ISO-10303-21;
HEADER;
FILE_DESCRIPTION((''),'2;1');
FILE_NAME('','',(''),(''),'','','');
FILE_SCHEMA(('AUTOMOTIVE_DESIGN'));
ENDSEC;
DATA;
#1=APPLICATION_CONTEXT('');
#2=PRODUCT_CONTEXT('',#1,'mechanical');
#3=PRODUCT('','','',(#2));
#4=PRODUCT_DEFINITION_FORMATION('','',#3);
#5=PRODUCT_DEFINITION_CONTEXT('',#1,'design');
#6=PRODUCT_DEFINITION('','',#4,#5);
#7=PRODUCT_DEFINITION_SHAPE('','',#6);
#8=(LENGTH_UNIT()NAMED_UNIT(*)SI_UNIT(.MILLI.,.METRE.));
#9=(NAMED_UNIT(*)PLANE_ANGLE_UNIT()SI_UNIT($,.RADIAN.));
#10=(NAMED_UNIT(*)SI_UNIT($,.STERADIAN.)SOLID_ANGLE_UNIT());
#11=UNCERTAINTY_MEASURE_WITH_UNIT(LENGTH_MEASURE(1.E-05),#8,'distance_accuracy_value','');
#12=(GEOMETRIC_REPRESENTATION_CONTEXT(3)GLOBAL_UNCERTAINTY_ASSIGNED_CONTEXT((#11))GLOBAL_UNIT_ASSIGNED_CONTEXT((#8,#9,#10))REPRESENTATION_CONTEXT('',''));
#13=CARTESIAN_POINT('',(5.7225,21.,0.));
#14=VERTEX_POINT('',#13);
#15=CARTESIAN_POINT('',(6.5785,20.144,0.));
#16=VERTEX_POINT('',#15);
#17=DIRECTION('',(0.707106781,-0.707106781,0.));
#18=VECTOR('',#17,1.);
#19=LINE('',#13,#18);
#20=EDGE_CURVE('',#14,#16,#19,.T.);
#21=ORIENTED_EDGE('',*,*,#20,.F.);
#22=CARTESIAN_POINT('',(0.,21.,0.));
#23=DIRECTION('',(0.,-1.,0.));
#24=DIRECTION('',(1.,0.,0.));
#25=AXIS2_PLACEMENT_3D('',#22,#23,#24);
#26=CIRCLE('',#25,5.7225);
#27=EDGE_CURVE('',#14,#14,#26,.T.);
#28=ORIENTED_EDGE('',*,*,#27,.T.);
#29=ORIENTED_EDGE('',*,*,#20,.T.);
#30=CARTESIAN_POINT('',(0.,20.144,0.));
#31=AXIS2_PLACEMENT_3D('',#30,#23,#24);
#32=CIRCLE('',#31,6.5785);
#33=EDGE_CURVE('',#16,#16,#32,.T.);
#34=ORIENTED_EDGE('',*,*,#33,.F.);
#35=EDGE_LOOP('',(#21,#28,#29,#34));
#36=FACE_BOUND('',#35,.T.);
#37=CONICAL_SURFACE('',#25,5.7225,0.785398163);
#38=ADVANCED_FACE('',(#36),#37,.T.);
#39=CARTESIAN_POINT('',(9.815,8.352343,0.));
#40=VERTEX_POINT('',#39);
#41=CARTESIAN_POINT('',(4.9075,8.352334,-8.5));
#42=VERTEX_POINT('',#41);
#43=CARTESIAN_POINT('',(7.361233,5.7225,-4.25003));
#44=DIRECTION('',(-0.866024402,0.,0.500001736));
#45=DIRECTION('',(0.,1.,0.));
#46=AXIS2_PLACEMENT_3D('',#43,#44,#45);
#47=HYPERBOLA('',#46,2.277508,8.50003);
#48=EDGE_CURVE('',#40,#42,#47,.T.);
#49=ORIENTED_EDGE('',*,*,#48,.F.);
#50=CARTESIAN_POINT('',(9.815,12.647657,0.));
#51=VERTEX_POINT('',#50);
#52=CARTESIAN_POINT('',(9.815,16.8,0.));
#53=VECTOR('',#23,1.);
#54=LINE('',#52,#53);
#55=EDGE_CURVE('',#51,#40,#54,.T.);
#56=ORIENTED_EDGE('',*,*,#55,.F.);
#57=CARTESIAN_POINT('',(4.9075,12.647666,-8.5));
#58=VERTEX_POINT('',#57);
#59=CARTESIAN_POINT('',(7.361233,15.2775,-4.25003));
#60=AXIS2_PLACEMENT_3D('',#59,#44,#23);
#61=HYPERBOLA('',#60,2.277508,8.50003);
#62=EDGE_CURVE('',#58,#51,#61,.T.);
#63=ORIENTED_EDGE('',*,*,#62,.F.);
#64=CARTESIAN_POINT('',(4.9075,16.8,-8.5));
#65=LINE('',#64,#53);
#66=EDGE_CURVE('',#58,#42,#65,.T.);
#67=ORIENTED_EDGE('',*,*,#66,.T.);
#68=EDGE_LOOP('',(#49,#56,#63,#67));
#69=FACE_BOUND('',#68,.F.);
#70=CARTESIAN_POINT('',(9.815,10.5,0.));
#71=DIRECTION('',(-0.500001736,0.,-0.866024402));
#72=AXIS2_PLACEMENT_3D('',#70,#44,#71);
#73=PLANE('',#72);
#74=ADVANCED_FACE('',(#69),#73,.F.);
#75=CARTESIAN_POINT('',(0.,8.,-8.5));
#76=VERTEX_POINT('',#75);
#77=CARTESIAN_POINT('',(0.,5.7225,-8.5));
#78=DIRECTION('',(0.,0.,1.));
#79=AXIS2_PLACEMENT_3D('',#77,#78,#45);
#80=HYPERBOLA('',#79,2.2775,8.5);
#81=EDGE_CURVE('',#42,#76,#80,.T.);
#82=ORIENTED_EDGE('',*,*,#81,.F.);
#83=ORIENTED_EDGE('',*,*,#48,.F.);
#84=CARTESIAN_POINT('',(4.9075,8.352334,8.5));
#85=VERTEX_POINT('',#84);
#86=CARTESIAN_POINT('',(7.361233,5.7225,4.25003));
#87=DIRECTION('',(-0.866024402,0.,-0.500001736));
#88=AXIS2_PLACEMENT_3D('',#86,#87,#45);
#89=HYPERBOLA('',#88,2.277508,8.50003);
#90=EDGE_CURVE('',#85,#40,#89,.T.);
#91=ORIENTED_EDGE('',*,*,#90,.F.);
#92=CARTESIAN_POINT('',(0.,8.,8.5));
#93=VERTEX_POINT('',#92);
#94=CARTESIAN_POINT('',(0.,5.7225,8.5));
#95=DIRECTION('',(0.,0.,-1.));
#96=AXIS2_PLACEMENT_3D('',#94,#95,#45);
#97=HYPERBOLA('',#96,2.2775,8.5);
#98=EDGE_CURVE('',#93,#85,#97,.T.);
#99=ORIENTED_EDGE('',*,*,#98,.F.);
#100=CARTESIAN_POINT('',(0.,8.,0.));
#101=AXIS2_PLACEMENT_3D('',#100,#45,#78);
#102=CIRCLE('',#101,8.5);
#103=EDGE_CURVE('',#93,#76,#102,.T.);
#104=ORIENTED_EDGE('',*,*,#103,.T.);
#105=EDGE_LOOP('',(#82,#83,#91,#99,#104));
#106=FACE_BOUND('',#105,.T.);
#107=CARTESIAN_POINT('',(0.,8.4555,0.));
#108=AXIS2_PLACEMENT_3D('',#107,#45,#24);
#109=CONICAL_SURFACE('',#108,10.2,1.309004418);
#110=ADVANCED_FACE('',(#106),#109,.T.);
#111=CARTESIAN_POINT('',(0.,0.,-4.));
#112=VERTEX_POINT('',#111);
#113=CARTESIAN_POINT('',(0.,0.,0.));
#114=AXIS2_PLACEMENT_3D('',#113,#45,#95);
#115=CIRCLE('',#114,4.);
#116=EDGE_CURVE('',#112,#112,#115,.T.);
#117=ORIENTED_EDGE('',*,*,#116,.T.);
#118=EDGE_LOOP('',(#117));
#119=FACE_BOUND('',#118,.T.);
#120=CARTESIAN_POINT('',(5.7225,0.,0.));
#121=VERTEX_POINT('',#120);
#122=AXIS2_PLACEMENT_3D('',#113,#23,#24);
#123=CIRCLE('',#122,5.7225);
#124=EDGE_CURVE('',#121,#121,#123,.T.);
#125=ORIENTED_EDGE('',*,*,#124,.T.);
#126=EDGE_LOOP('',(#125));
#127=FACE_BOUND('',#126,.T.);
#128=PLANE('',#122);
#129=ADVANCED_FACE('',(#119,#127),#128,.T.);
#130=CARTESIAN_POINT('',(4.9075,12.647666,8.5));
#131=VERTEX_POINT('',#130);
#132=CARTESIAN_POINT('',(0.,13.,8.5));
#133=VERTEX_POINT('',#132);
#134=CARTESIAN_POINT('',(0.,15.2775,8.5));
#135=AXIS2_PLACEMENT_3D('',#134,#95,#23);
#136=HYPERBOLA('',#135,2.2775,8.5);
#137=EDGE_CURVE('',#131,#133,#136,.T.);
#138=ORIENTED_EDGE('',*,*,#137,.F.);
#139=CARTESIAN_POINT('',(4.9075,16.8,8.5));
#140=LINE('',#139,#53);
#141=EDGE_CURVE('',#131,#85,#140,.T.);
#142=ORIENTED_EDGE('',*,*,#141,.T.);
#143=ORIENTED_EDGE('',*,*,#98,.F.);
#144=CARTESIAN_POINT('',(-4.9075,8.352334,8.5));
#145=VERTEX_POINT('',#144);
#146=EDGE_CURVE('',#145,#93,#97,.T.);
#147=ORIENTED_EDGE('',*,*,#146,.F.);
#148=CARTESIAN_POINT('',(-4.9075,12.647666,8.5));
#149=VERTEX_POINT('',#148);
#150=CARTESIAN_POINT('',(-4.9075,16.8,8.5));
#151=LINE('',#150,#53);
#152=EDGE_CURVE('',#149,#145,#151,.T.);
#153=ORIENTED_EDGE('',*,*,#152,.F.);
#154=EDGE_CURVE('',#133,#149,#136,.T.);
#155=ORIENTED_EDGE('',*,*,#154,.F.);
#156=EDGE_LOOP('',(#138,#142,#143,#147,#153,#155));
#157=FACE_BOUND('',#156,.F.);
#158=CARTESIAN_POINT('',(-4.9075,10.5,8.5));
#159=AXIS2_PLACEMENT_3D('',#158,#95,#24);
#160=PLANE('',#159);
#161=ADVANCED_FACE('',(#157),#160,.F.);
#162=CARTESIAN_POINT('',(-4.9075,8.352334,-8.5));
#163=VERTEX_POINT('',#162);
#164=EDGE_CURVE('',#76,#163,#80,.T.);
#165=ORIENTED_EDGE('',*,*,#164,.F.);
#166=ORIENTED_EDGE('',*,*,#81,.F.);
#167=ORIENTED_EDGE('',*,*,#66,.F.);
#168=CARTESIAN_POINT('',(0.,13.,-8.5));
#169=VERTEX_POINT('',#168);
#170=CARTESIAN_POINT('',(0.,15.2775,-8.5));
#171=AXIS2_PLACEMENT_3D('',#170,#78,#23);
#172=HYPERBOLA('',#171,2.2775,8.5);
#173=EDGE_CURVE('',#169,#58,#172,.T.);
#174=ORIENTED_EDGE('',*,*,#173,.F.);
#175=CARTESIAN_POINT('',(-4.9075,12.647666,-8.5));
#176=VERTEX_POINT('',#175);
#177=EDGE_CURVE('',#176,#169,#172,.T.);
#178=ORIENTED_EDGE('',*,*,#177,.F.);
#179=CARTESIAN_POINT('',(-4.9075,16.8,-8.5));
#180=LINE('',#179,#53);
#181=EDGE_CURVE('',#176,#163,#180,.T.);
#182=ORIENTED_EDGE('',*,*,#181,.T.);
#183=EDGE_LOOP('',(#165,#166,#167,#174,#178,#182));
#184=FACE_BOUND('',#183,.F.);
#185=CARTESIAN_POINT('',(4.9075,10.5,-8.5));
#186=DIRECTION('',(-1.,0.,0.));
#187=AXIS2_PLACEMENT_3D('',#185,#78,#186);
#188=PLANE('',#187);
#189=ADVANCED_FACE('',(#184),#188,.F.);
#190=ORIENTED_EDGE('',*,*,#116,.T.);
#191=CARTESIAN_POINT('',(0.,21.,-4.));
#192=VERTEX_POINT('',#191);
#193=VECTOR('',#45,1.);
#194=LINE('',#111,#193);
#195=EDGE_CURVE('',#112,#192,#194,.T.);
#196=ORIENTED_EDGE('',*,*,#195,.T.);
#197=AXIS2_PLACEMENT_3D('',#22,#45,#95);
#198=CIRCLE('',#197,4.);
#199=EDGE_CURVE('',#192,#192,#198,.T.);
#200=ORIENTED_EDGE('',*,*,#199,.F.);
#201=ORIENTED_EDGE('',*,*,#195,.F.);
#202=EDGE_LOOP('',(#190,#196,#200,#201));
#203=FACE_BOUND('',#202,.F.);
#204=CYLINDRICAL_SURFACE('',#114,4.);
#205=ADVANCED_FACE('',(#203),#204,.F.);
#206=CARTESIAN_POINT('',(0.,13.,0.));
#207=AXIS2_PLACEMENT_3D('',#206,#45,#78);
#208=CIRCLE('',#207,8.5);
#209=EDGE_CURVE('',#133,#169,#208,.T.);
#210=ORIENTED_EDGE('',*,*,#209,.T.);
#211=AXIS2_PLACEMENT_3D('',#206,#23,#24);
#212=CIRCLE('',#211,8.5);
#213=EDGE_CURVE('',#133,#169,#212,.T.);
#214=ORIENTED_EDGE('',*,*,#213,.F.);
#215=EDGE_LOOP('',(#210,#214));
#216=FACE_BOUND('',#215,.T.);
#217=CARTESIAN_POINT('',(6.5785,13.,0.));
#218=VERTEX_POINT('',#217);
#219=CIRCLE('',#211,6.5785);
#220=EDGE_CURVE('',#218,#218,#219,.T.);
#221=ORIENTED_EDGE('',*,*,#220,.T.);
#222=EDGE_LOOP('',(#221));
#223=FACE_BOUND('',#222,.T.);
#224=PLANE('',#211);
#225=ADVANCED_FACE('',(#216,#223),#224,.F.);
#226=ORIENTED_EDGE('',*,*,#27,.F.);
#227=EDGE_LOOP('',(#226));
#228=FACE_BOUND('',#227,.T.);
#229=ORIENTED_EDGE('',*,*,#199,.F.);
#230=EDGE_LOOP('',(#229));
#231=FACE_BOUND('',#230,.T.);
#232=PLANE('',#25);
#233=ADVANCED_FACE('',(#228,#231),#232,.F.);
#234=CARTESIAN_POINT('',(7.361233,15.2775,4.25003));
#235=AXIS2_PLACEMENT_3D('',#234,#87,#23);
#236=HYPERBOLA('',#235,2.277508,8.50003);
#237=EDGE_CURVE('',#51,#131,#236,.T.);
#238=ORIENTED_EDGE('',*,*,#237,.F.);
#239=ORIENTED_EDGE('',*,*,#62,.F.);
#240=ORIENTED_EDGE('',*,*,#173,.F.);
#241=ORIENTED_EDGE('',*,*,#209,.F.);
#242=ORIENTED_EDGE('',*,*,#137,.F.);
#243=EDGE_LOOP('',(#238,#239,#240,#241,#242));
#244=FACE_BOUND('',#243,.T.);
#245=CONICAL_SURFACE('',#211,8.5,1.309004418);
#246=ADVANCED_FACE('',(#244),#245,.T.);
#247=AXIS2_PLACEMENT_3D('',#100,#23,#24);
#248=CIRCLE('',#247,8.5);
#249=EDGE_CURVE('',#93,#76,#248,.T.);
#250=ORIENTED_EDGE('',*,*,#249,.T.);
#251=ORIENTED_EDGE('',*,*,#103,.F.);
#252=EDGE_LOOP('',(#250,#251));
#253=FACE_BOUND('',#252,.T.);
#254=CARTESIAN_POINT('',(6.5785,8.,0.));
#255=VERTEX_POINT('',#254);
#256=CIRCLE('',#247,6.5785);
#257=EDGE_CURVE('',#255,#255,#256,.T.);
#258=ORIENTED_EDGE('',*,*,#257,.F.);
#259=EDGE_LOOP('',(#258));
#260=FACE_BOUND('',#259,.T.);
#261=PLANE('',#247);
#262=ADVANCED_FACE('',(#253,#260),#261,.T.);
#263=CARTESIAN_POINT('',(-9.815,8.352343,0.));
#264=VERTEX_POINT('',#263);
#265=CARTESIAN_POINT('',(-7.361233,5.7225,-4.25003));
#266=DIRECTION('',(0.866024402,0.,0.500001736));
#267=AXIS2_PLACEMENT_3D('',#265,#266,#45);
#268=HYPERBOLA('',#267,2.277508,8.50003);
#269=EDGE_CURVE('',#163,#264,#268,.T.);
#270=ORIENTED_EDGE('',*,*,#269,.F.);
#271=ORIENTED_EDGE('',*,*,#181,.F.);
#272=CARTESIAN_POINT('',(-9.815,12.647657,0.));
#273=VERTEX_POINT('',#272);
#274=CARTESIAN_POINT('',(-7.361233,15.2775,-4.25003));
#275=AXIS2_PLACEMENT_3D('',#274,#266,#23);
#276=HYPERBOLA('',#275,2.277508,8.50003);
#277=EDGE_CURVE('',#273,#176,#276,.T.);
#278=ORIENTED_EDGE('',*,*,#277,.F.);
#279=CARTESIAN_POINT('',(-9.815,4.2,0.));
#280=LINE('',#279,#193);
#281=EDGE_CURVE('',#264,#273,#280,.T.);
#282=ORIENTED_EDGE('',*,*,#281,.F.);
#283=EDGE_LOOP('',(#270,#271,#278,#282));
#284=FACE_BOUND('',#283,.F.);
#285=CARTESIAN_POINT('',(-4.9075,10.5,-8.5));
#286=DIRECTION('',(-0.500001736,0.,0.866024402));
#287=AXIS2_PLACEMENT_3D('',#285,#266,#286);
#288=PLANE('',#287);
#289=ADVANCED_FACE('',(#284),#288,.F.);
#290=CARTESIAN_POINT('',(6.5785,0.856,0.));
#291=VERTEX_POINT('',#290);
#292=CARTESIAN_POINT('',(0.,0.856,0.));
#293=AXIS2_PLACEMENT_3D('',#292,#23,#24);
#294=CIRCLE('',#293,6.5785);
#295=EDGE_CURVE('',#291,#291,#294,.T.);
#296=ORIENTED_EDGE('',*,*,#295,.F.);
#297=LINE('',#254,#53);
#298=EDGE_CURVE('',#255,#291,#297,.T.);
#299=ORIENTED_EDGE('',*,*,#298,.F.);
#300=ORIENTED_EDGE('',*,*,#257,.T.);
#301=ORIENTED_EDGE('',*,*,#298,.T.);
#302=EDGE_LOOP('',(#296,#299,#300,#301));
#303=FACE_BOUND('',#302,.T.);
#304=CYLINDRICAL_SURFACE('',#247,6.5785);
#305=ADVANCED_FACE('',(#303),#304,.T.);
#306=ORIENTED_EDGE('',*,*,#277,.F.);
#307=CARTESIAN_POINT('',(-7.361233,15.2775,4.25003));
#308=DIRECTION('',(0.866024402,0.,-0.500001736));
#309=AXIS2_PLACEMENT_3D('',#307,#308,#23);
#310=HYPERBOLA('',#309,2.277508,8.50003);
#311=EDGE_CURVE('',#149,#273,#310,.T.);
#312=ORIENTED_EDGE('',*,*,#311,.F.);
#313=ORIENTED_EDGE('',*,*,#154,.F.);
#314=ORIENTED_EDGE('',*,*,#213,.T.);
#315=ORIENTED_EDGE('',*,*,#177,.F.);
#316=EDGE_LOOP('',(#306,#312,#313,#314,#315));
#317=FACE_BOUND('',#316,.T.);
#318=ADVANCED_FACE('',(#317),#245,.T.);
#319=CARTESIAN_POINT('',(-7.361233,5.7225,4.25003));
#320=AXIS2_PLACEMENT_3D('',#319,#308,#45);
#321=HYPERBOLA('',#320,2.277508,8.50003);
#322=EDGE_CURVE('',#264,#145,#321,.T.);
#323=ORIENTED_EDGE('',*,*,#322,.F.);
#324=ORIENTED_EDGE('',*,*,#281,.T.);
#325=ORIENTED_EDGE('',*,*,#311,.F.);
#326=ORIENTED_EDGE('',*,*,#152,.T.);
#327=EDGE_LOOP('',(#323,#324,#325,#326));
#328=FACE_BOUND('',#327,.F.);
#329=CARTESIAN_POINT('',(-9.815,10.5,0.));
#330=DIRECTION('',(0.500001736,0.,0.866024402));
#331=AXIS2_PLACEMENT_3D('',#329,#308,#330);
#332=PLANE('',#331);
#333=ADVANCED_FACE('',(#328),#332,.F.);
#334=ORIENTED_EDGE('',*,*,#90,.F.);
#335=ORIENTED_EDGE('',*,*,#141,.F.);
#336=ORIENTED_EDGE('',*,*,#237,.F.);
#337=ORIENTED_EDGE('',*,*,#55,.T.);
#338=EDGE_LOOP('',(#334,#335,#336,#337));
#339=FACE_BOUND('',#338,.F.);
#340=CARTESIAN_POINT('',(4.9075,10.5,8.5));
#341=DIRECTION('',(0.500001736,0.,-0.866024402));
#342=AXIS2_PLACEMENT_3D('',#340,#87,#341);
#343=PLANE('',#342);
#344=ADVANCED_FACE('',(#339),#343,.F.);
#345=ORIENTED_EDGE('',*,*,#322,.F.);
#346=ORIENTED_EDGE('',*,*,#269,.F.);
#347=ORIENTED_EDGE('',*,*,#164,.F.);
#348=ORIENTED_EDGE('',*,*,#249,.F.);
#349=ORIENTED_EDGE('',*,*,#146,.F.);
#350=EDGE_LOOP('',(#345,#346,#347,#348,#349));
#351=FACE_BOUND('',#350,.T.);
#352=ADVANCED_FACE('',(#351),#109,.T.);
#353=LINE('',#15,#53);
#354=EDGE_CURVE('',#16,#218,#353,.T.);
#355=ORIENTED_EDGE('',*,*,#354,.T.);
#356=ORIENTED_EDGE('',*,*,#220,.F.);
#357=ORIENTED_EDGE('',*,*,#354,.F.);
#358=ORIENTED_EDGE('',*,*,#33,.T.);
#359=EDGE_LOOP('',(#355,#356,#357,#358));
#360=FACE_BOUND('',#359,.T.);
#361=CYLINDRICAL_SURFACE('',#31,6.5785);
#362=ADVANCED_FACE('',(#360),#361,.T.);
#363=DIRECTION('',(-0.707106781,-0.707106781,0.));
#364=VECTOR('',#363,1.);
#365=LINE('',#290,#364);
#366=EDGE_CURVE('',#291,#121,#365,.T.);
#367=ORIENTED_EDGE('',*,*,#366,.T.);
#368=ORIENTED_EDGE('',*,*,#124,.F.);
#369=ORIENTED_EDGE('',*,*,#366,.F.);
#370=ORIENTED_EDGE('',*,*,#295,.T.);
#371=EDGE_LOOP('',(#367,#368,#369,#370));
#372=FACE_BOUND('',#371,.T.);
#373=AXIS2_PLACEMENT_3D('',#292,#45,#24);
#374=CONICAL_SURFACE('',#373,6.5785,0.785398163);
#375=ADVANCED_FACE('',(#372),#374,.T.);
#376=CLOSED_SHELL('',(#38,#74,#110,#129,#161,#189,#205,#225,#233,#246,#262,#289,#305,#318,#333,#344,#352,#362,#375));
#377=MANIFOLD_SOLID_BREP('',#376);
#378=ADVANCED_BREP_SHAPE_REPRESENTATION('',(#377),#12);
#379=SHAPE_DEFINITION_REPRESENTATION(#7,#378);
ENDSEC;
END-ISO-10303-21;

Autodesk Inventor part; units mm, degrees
sketch "Sketch_6" plane through (0, 0, 0) normal (0, 0, 1) x (1, 0, 0)
  line L0 (0, 0) -> (0, 13)
  line L1 (0, 13) -> (8.5, 13)
  line L2 (8.5, 13) -> (10.2, 12.5445)
  line L3 (10.2, 12.5445) -> (10.2, 8.4555)
  line L4 (10.2, 8.4555) -> (8.5, 8)
  line L5 (8.5, 8) -> (6.5785, 8)
  line L6 (6.5785, 8) -> (6.5785, 0.856)
  line L7 (6.5785, 0.856) -> (5.7225, 0)
  line L8 (5.7225, 0) -> (0, 0)
  line L9 (0, 0) -> (0, 13)
revolve "Revolution1" add sketch "Sketch_6" angle 360 about axis through (0, 0, 0) along (0, -1, 0)
thread "Thread1" size "G13.157x1.337" designation "G 1/4" class "A" standard "ISO Pipe Threads" length 5.544
sketch "Sketch_7" plane through (0, 0, 0) normal (0, 0, 1) x (1, 0, 0)
  line L0 (0, 13) -> (0, 21)
  line L1 (0, 21) -> (5.7225, 21)
  line L2 (5.7225, 21) -> (6.5785, 20.144)
  line L3 (6.5785, 20.144) -> (6.5785, 13)
  line L4 (6.5785, 13) -> (0, 13)
  line L5 (0, 13) -> (0, 21)
revolve "Revolution2" add sketch "Sketch_7" angle 360 about axis through (0, 13, 0) along (0, -1, 0)
thread "Thread2" size "G13.157x1.337" designation "G 1/4" class "A" standard "ISO Pipe Threads" length 5.544
sketch "Sketch_10" plane through (0, 10.5, 0) normal (0, 1, 0) x (1, 0, 0)
  line L0 (-17, -17) -> (17, -17)
  line L1 (17, -17) -> (17, 17)
  line L2 (17, 17) -> (-17, 17)
  line L3 (-17, 17) -> (-17, -17)
  line L4 (-9.815, 0) -> (-4.9075, -8.5)
  line L5 (-4.9075, -8.5) -> (4.9075, -8.5)
  line L6 (4.9075, -8.5) -> (9.815, 0)
  line L7 (9.815, 0) -> (4.9075, 8.5)
  line L8 (4.9075, 8.5) -> (-4.9075, 8.5)
  line L9 (-4.9075, 8.5) -> (-9.815, 0)
extrude "Extrusion1" cut sketch "Sketch_10" along normal mid plane 12.6
sketch "Sketch4" plane through (0, 0, 0) normal (0, -1, 0) x (1, 0, 0)
  point P0 (0, 0)
hole "Hole1" at (0, 0, 0) direction (0, 1, 0) diameter 8 depth 21
ref_plane "IP1_XY" through (0, 0, 0) normal (0, 1, 0) x (1, 0, 0)
ref_plane "IP1_YZ" through (0, 0, 0) normal (1, 0, 0) x (0, 0, -1)
ref_plane "IP1_ZX" through (0, 0, 0) normal (0, 0, -1) x (0, 1, 0)
ref_plane "IP2_XY" through (0, 21, 0) normal (0, -1, 0) x (1, 0, 0)
ref_plane "IP2_YZ" through (0, 21, 0) normal (1, 0, 0) x (0, 0, 1)
ref_plane "IP2_ZX" through (0, 21, 0) normal (0, 0, 1) x (0, -1, 0)
ref_plane "RING1_XY" through (0, 8, 0) normal (0, 1, 0) x (1, 0, 0)
ref_plane "RING1_YZ" through (0, 8, 0) normal (1, 0, 0) x (0, 0, -1)
ref_plane "RING1_ZX" through (0, 8, 0) normal (0, 0, -1) x (0, 1, 0)
ref_plane "RING2_XY" through (0, 13, 0) normal (0, -1, 0) x (1, 0, 0)
ref_plane "RING2_YZ" through (0, 13, 0) normal (1, 0, 0) x (0, 0, 1)
ref_plane "RING2_ZX" through (0, 13, 0) normal (0, 0, 1) x (0, -1, 0)
properties part number "8030272 NPFC-D-2G14-M"
